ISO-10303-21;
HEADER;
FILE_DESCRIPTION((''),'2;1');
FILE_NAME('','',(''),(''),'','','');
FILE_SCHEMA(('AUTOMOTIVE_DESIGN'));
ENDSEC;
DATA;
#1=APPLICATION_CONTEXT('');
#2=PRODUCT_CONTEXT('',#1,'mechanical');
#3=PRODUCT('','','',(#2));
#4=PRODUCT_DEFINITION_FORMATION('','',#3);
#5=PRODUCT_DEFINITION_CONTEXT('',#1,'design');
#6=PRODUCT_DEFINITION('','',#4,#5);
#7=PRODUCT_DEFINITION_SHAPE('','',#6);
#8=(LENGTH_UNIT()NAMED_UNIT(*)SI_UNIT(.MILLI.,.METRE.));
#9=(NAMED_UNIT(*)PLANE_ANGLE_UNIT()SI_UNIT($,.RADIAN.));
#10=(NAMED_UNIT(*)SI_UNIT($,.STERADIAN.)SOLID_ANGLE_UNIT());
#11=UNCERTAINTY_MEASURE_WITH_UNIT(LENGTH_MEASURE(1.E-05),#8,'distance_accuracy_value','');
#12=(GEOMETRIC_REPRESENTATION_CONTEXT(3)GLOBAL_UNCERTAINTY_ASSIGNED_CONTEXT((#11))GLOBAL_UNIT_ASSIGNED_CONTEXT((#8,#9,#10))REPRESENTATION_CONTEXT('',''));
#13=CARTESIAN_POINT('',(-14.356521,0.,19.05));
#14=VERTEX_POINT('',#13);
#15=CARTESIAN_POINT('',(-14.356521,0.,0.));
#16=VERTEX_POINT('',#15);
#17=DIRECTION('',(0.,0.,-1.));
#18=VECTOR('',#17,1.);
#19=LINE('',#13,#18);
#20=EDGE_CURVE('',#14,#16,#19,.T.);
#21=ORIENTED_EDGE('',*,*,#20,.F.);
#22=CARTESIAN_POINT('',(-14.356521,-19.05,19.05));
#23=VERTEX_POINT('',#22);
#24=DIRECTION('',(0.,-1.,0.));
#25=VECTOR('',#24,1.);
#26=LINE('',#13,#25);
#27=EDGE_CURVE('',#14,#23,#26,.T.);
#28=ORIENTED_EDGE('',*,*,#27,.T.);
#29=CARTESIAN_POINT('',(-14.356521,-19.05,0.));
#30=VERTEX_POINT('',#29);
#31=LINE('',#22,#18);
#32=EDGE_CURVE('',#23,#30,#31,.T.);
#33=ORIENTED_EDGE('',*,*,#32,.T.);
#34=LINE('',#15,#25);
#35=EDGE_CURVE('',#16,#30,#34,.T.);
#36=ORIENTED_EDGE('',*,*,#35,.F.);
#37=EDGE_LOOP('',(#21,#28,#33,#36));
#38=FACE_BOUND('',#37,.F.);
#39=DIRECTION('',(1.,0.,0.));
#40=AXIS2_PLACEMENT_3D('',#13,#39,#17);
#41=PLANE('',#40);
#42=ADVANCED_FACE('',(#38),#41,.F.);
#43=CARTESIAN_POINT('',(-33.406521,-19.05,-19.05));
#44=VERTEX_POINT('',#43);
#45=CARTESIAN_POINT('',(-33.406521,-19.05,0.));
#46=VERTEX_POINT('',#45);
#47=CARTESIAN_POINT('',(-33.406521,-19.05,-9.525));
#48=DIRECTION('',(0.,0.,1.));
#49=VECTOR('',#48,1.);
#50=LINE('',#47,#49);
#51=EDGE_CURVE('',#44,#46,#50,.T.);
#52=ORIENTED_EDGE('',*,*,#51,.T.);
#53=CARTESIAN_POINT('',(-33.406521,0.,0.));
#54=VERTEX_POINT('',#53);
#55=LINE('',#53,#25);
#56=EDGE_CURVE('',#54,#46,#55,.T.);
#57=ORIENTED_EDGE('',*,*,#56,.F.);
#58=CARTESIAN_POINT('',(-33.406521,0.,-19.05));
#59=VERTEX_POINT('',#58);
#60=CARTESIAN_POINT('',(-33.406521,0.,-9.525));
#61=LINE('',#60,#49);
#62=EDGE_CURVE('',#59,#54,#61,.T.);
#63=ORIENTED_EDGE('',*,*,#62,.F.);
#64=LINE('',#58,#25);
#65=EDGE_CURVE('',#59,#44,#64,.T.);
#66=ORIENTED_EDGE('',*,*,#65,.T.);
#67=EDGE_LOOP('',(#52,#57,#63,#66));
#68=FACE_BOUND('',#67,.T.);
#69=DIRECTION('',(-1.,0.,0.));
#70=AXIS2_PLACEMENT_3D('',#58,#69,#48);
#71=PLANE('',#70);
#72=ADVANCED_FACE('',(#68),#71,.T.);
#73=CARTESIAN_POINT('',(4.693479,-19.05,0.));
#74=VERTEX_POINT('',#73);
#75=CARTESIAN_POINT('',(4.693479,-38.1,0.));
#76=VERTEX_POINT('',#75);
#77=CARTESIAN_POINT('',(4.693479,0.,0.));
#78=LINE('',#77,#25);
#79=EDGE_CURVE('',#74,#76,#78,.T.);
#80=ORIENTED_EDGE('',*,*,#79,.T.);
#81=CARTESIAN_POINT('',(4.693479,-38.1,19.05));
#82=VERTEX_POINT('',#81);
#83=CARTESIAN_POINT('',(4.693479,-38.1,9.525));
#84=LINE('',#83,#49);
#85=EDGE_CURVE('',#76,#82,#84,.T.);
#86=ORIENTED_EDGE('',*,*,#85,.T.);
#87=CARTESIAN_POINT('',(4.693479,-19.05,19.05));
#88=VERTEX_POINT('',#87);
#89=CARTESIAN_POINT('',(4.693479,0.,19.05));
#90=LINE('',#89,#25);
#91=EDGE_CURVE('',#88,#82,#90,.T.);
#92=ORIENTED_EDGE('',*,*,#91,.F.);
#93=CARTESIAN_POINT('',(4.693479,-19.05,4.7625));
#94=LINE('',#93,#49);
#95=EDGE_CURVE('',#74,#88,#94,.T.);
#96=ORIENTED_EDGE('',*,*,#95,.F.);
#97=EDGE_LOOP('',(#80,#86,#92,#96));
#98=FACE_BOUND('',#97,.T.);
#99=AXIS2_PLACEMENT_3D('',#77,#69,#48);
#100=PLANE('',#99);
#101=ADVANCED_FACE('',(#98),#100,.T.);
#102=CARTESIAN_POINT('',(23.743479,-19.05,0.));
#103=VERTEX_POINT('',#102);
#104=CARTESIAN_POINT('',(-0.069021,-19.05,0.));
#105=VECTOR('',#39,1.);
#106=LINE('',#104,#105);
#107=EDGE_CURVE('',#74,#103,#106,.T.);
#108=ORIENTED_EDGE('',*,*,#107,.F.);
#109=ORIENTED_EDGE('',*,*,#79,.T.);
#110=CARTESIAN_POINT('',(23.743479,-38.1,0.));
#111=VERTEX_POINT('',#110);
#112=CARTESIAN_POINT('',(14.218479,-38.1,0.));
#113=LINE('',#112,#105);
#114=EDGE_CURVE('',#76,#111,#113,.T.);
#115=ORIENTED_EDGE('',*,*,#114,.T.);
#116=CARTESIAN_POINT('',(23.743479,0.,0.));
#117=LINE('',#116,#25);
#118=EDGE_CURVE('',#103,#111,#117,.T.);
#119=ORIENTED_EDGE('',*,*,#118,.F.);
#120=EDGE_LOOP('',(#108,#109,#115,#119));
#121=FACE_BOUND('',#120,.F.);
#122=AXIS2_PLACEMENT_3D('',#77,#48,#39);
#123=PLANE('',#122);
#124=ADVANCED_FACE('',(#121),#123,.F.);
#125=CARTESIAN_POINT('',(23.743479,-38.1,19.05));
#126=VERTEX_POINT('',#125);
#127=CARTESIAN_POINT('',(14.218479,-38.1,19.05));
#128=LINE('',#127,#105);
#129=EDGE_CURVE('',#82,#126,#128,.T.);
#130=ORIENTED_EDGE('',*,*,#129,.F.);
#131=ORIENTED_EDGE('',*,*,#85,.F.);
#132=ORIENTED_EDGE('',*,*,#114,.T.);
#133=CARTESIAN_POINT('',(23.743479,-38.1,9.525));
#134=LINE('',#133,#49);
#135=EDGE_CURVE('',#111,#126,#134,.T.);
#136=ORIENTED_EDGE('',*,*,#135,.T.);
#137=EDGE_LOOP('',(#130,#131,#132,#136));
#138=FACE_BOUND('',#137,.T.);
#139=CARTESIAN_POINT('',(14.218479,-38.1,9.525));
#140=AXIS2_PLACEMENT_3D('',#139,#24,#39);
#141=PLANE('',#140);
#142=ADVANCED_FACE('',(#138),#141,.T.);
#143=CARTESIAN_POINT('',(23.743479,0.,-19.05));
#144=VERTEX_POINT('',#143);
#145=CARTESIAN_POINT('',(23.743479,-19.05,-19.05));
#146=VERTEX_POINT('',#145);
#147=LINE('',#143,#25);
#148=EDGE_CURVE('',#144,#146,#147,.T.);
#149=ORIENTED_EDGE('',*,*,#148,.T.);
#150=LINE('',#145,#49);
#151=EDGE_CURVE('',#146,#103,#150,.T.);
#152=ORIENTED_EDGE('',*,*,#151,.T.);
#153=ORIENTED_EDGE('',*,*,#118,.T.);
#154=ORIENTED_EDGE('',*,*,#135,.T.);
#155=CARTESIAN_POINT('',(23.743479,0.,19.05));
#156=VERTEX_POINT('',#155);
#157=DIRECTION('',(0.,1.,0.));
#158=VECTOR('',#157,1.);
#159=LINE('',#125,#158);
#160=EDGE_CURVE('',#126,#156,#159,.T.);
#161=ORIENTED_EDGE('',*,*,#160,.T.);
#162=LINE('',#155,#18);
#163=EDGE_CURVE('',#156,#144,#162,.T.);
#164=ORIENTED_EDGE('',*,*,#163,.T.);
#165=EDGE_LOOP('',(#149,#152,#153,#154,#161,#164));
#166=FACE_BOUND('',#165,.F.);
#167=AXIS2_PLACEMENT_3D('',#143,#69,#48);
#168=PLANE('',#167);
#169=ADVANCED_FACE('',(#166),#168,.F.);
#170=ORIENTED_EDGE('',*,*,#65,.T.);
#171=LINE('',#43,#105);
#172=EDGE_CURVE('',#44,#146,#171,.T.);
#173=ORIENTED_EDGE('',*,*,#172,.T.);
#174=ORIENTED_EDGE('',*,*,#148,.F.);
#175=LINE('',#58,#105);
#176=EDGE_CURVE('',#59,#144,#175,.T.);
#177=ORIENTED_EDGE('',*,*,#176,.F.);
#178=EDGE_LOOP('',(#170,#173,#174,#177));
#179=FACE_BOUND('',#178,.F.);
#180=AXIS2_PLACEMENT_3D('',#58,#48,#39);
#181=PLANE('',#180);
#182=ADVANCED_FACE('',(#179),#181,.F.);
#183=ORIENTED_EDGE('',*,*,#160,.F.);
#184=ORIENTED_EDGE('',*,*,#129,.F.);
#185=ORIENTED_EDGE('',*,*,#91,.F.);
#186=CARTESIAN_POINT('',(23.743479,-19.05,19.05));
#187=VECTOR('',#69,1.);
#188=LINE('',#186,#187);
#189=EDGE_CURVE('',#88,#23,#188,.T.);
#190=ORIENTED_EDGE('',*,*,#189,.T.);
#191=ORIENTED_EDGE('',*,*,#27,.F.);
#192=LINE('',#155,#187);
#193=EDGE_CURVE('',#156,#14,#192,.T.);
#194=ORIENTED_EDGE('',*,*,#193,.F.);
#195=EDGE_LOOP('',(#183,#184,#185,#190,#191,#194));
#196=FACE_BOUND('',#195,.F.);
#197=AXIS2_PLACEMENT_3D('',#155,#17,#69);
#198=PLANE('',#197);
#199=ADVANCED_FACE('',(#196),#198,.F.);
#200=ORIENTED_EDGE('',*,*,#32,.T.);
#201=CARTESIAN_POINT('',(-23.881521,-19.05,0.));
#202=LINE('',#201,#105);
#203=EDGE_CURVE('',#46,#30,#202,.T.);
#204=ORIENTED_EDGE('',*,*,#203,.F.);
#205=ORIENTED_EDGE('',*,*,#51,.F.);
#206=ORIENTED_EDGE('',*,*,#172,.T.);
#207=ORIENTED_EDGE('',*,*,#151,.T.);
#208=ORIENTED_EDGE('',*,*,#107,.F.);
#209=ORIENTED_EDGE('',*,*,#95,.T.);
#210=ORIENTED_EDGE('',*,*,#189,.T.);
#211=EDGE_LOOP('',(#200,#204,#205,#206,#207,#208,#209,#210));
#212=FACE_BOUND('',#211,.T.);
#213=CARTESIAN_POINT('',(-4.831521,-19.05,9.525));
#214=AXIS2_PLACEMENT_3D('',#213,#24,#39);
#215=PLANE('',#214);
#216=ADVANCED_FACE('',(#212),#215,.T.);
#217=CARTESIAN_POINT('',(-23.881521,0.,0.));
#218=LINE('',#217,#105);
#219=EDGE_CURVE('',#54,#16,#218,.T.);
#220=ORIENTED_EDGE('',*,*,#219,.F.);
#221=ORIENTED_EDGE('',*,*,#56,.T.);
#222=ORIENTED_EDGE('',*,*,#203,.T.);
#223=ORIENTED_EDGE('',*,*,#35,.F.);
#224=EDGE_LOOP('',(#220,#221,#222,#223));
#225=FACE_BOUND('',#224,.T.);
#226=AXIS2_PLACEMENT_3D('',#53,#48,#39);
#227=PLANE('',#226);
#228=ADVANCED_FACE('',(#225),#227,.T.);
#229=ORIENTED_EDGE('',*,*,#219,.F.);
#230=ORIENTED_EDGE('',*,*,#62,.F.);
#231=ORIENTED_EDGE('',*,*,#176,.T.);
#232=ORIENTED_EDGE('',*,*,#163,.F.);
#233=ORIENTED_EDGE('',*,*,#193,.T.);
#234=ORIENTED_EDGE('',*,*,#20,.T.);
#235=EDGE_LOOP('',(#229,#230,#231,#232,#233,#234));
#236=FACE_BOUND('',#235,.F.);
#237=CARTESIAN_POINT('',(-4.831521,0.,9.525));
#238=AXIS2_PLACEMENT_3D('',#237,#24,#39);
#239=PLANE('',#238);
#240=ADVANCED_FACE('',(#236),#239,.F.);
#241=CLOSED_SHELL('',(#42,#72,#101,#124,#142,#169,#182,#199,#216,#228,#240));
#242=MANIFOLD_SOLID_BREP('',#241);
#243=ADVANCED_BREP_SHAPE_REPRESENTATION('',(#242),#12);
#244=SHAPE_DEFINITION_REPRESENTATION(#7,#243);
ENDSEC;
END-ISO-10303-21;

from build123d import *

# Parameters (mm, degrees)
F0_W     = 19.05
F0_H     = 19.05
F1_DEPTH = 38.1
F2_DEPTH = 19.05


with BuildPart() as f1:
    # F0 (on Front) → F1 (new body)
    with BuildSketch(Plane.XZ):
        with Locations((14.218479, 9.525)):
            Rectangle(F0_W, F0_H)
    extrude(amount=F1_DEPTH)

    # F0 (on Front) → F2 (join)
    with BuildSketch(Plane.XZ):
        Polygon((-14.356521, 0), (0, 0), (4.693479, 0), (4.693479, 19.05), (-14.356521, 19.05), align=None)
        Polygon((4.693479, 0), (0, 0), (-14.356521, 0), (-14.356521, -19.05), (4.693479, -19.05), align=None)
        with Locations((14.218479, -9.525)):
            Rectangle(F0_W, F0_H)
        with Locations((14.218479, 9.525)):
            Rectangle(F0_W, F0_H)
        with Locations((-23.881521, -9.525)):
            Rectangle(F0_W, F0_H)
    extrude(amount=F2_DEPTH)


solid = f1.part
